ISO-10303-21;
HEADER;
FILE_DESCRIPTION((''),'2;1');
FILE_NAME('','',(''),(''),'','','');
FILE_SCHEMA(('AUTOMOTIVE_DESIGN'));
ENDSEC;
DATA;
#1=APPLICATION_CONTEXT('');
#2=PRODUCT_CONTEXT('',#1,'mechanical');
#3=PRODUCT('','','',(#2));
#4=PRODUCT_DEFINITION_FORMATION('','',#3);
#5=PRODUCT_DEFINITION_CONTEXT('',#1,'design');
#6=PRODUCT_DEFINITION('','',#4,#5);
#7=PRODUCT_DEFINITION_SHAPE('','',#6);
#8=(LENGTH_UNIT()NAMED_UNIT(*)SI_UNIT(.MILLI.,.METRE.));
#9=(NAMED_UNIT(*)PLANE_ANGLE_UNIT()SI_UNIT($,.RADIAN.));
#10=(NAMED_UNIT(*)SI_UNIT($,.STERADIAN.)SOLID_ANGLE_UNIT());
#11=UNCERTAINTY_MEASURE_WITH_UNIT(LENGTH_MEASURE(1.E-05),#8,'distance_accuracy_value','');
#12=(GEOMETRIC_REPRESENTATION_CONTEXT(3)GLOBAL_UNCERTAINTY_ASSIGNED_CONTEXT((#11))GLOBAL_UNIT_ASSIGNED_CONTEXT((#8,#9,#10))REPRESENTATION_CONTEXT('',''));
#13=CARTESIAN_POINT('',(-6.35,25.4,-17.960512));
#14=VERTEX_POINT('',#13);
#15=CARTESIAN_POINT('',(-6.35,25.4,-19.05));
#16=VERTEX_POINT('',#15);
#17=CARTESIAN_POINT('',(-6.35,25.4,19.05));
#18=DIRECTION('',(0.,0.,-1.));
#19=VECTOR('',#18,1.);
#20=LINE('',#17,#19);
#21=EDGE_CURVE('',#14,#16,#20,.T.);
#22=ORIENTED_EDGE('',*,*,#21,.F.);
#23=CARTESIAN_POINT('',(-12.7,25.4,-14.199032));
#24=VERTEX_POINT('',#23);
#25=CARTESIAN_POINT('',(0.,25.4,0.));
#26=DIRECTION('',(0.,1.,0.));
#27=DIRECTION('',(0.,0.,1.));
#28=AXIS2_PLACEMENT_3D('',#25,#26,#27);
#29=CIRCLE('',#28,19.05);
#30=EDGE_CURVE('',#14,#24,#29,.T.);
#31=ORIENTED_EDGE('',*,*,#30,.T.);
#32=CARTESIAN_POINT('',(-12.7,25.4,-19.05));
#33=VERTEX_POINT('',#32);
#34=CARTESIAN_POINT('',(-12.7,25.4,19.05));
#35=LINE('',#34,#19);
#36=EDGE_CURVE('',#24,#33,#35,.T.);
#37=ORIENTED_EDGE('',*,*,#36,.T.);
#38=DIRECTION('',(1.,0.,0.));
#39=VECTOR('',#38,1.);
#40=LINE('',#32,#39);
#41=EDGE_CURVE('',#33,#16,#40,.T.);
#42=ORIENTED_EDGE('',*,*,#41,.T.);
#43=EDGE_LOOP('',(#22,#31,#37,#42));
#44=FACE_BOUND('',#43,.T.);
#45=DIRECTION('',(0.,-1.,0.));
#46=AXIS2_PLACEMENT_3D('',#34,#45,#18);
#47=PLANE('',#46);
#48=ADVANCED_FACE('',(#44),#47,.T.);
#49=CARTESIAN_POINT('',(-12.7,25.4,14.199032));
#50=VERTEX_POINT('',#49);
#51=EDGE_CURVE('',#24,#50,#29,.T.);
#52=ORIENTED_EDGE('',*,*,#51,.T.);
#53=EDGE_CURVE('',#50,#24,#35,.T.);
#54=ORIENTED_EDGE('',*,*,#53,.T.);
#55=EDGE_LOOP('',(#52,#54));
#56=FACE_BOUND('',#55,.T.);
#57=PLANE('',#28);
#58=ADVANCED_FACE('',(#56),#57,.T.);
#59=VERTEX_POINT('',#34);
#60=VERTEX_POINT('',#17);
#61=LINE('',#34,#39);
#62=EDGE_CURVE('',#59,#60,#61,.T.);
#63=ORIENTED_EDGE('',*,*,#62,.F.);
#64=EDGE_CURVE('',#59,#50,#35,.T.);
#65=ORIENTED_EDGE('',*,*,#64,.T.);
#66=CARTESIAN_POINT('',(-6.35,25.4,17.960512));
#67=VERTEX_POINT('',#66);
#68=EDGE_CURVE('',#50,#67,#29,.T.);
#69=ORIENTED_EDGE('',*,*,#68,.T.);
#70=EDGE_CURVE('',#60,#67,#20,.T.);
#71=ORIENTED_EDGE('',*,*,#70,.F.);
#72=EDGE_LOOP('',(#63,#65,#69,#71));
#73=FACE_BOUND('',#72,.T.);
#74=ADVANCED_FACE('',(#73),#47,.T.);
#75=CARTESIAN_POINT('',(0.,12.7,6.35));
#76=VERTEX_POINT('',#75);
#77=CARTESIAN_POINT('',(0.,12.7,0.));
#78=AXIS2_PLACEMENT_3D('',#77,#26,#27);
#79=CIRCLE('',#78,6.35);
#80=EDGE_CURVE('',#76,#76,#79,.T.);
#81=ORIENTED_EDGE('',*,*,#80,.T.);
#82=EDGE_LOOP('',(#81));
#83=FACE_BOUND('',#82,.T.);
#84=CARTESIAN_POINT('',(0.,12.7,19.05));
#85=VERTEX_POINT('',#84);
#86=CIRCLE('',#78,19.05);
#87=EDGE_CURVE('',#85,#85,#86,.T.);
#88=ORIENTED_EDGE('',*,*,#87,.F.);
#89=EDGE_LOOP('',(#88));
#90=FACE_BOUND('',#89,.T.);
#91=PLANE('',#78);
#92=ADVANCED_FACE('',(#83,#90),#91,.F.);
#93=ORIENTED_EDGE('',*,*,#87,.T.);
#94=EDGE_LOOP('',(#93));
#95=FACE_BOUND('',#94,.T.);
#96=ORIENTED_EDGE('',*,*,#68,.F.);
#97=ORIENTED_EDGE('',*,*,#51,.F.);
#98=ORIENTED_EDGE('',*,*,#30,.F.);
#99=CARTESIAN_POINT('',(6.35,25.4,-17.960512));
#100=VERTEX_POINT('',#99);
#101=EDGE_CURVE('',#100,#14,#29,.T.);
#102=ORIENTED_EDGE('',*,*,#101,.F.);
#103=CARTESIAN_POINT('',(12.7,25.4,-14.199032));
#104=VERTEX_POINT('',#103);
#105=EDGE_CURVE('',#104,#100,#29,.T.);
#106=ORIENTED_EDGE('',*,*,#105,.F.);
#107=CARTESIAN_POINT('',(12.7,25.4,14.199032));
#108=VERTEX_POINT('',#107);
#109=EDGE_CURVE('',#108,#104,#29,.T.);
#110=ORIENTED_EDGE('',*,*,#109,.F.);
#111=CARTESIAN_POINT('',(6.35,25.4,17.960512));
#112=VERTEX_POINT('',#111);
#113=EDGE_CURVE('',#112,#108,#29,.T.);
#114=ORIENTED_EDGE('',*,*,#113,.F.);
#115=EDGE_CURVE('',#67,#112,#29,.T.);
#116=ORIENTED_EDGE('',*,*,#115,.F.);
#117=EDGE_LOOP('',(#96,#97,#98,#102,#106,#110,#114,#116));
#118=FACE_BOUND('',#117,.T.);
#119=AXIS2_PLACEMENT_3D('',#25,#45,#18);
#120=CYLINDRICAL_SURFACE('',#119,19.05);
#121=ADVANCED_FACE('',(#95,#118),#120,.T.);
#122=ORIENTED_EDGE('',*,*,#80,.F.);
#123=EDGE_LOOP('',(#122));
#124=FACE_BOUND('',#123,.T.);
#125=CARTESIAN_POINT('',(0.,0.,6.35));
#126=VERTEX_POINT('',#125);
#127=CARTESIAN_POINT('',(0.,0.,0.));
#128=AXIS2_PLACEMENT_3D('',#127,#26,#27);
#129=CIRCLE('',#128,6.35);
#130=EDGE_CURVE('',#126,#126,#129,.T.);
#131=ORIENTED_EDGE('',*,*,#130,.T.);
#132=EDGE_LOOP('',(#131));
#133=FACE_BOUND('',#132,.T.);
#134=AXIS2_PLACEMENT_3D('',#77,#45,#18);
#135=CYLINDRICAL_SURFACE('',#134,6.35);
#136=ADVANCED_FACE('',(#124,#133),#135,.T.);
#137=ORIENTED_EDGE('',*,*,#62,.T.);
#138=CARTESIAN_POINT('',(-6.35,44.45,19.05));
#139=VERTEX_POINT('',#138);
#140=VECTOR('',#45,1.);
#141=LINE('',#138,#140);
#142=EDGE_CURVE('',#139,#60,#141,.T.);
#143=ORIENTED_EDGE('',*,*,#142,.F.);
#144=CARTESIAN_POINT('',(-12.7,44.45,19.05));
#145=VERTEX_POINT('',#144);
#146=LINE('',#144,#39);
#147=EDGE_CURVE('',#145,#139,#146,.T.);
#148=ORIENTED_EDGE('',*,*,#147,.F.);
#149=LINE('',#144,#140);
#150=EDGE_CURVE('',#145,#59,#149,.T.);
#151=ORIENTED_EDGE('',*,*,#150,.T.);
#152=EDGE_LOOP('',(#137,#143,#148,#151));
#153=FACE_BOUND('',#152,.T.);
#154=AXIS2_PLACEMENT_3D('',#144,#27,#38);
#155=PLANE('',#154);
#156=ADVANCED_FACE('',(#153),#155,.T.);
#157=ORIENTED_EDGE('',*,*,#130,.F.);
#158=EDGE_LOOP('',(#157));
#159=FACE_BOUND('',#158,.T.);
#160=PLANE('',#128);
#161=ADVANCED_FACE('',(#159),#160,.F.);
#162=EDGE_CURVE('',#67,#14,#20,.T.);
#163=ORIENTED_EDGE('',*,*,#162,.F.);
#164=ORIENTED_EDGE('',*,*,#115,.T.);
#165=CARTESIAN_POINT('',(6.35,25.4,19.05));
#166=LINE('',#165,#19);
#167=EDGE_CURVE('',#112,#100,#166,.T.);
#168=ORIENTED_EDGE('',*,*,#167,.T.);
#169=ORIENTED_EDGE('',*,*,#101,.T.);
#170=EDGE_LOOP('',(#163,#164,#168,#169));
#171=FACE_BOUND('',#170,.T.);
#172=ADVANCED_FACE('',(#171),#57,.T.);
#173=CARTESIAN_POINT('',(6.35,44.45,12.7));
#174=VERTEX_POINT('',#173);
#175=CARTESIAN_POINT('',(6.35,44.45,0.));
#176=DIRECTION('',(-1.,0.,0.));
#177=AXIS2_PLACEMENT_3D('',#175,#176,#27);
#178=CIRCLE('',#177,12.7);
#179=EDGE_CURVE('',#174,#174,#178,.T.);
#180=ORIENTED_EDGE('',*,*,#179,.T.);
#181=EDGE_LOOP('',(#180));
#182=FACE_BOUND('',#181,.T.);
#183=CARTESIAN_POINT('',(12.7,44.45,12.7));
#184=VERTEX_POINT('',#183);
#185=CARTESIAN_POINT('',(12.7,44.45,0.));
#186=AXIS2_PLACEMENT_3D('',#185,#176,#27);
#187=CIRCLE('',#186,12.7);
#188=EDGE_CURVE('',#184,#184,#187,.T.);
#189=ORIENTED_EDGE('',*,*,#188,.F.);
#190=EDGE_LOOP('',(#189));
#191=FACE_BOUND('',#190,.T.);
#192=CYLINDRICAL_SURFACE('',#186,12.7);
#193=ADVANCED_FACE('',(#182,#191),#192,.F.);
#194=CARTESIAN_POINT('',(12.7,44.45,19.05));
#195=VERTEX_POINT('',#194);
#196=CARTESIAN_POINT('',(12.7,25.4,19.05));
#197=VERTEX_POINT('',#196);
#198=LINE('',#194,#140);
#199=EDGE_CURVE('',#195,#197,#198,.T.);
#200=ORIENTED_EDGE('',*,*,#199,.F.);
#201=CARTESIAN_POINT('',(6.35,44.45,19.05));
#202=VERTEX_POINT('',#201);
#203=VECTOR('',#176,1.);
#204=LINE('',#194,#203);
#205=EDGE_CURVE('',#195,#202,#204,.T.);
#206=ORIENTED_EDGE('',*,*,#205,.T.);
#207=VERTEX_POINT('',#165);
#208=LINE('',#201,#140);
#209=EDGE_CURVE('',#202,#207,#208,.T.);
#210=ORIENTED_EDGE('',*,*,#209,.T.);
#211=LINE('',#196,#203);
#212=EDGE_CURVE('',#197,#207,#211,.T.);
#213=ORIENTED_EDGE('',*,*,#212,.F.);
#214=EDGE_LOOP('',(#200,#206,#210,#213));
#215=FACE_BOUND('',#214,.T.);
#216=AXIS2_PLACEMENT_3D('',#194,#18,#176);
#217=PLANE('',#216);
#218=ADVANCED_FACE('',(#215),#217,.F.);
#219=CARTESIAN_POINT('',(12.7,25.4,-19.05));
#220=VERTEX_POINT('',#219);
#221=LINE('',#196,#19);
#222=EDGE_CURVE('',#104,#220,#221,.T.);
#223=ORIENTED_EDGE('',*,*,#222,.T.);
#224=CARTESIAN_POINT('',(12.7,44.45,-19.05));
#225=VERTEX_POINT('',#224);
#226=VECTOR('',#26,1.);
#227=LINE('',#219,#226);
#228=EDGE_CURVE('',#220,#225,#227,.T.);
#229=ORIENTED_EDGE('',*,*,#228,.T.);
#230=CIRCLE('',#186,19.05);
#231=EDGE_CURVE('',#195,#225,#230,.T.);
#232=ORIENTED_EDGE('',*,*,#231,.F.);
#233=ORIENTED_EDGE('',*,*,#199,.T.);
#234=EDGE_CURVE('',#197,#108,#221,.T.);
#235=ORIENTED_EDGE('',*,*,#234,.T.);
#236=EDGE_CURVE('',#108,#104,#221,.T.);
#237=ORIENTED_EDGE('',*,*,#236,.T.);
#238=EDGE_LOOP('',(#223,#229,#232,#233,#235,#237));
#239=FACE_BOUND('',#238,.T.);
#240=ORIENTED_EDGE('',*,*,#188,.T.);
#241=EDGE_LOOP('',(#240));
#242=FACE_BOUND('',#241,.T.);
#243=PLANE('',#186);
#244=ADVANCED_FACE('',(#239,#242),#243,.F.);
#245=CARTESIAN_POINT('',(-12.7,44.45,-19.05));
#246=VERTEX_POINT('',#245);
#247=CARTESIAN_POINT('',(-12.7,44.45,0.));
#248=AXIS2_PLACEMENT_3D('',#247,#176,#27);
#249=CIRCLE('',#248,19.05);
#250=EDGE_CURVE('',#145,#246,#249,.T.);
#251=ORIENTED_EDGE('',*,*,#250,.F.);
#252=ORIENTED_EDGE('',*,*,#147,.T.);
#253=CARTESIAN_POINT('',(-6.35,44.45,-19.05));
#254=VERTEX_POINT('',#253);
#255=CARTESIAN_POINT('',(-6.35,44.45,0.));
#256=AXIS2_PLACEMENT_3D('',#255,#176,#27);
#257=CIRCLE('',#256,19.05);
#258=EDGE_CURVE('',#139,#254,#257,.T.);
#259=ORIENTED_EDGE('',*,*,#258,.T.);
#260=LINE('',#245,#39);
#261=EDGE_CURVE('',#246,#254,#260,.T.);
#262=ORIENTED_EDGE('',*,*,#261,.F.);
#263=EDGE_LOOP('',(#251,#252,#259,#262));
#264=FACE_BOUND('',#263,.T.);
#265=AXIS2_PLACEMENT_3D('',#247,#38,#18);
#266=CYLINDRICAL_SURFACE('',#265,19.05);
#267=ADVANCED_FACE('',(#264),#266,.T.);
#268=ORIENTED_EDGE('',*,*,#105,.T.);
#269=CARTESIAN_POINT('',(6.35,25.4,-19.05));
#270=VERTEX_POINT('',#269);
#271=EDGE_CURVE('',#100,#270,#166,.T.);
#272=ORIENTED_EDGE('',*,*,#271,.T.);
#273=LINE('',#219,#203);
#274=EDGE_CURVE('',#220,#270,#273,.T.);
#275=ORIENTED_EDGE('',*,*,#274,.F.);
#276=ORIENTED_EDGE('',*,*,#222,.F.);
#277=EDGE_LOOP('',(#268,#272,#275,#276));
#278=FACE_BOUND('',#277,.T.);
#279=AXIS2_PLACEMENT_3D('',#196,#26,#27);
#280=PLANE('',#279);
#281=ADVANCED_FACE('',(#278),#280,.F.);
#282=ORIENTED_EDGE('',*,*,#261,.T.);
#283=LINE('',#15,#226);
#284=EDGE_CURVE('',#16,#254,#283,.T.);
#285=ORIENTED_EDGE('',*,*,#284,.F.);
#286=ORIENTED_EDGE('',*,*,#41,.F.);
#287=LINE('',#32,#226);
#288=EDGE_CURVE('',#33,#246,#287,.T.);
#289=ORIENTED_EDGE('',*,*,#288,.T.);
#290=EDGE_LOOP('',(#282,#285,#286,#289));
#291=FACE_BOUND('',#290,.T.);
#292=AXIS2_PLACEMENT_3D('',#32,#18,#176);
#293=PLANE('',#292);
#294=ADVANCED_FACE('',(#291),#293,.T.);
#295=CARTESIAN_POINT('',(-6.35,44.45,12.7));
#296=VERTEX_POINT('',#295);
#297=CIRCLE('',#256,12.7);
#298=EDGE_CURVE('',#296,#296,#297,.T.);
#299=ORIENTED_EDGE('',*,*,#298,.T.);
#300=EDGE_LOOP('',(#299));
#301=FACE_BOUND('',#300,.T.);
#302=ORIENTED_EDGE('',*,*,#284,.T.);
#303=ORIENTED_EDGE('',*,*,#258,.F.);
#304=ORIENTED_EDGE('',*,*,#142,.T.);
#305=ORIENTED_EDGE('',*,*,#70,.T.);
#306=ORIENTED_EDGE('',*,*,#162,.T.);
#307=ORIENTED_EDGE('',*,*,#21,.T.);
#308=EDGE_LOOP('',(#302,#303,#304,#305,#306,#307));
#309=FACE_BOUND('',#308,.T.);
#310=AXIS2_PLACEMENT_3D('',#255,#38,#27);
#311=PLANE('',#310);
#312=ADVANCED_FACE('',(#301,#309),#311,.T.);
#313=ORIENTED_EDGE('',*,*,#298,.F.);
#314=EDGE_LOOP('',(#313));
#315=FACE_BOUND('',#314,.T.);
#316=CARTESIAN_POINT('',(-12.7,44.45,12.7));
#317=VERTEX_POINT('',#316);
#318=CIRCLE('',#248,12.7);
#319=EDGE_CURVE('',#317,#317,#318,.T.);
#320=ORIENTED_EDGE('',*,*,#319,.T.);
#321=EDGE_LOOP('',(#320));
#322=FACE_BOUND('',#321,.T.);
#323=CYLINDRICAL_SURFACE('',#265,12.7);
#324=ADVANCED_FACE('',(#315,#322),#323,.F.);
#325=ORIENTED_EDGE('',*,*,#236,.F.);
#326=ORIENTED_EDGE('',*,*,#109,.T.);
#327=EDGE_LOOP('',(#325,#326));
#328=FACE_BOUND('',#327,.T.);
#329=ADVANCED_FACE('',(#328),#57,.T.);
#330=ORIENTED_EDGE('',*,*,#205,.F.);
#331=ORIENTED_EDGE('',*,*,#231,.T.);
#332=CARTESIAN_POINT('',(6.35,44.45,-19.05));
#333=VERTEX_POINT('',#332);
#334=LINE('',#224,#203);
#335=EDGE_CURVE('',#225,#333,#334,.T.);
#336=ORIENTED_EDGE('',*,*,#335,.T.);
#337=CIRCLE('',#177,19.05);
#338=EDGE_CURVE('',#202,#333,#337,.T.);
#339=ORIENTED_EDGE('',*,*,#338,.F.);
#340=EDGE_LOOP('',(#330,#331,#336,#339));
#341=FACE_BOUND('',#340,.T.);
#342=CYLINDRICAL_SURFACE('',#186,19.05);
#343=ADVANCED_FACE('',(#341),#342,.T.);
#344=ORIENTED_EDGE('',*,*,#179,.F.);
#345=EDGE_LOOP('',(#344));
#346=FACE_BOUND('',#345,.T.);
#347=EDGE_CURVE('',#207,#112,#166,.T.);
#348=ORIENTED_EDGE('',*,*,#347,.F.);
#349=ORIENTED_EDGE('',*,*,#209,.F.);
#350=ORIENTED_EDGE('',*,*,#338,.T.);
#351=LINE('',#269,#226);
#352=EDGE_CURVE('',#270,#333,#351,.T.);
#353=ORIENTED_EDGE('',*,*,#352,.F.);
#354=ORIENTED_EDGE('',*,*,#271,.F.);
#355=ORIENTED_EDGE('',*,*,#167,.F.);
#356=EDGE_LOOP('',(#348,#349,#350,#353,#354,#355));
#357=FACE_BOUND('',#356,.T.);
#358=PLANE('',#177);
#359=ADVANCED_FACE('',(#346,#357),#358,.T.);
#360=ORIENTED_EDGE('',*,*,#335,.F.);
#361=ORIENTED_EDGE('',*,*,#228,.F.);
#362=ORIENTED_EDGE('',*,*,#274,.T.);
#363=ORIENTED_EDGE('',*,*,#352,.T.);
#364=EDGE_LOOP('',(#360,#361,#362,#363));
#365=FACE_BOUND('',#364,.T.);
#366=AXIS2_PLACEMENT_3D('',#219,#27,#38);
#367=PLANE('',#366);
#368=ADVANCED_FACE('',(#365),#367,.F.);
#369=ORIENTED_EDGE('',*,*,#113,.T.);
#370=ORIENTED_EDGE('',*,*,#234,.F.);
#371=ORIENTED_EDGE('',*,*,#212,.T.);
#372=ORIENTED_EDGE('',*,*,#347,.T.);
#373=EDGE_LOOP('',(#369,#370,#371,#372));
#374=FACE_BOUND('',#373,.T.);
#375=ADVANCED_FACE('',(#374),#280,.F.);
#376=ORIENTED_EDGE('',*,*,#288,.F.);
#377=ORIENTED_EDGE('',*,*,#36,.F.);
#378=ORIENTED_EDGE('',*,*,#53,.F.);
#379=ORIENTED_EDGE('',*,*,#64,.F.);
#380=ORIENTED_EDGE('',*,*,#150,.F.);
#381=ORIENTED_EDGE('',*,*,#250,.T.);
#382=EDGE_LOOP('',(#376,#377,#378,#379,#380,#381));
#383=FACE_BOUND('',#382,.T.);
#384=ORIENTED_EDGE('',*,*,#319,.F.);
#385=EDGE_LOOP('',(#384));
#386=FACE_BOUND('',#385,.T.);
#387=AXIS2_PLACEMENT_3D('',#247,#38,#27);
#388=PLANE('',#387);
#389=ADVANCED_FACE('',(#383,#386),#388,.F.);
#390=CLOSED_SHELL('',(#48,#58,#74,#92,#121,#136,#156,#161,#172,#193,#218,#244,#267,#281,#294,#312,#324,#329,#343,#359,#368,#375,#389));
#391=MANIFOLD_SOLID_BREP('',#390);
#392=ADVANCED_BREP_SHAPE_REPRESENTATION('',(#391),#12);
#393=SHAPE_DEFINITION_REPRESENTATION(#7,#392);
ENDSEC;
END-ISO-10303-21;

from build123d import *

# Parameters (mm, degrees)
SKETCH1_R              = 6.35
TOFITINTOBEARING_DEPTH = 12.7
SKETCH2_R              = 19.05
TOSITATOPBEARING_DEPTH = 12.7
BOSS_EXTRUDE3_START    = 6.35
BOSS_EXTRUDE3_DEPTH    = 6.35
SKETCH8_R              = 12.7
CUT_EXTRUDE3_DEPTH     = 6.35


with BuildPart() as part:
    # Sketch1 → ToFitIntoBearing (new body)
    with BuildSketch(Plane(origin=(0, 0, 0), x_dir=(1, 0, 0), z_dir=(0, 1, 0))):
        Circle(SKETCH1_R)
    extrude(amount=TOFITINTOBEARING_DEPTH)

    # Sketch2 → ToSitAtopBearing (add)
    with BuildSketch(Plane(origin=(0, 12.7, 0), x_dir=(1, 0, 0), z_dir=(0, 1, 0))):
        Circle(SKETCH2_R)
    extrude(amount=TOSITATOPBEARING_DEPTH)

    # Sketch7 → Boss-Extrude3 (add)
    with BuildSketch(Plane(origin=(0, 0, 0), x_dir=(0, 0, -1), z_dir=(1, 0, 0)).offset(BOSS_EXTRUDE3_START)):
        with BuildLine():
            Line((-19.05, 44.45), (-19.05, 25.4))
            Line((-19.05, 25.4), (19.05, 25.4))
            Line((19.05, 25.4), (19.05, 44.45))
            ThreePointArc((19.05, 44.45), (0, 63.5), (-19.05, 44.45))
        make_face()
    boss_extrude3 = extrude(amount=BOSS_EXTRUDE3_DEPTH)

    # Sketch8 → Cut-Extrude3 (cut)
    with BuildSketch(Plane.ZY.offset(-6.35)):
        with Locations((0, 44.45)):
            Circle(SKETCH8_R)
    cut_extrude3 = extrude(amount=-CUT_EXTRUDE3_DEPTH, mode=Mode.SUBTRACT)

    # Mirror2: Boss-Extrude3, Cut-Extrude3 across plane
    add(boss_extrude3.mirror(Plane(origin=(0, 0, 0), x_dir=(0, 0, 1), z_dir=(1, 0, 0))))
    add(cut_extrude3.mirror(Plane(origin=(0, 0, 0), x_dir=(0, 0, 1), z_dir=(1, 0, 0))), mode=Mode.SUBTRACT)


solid = part.part
